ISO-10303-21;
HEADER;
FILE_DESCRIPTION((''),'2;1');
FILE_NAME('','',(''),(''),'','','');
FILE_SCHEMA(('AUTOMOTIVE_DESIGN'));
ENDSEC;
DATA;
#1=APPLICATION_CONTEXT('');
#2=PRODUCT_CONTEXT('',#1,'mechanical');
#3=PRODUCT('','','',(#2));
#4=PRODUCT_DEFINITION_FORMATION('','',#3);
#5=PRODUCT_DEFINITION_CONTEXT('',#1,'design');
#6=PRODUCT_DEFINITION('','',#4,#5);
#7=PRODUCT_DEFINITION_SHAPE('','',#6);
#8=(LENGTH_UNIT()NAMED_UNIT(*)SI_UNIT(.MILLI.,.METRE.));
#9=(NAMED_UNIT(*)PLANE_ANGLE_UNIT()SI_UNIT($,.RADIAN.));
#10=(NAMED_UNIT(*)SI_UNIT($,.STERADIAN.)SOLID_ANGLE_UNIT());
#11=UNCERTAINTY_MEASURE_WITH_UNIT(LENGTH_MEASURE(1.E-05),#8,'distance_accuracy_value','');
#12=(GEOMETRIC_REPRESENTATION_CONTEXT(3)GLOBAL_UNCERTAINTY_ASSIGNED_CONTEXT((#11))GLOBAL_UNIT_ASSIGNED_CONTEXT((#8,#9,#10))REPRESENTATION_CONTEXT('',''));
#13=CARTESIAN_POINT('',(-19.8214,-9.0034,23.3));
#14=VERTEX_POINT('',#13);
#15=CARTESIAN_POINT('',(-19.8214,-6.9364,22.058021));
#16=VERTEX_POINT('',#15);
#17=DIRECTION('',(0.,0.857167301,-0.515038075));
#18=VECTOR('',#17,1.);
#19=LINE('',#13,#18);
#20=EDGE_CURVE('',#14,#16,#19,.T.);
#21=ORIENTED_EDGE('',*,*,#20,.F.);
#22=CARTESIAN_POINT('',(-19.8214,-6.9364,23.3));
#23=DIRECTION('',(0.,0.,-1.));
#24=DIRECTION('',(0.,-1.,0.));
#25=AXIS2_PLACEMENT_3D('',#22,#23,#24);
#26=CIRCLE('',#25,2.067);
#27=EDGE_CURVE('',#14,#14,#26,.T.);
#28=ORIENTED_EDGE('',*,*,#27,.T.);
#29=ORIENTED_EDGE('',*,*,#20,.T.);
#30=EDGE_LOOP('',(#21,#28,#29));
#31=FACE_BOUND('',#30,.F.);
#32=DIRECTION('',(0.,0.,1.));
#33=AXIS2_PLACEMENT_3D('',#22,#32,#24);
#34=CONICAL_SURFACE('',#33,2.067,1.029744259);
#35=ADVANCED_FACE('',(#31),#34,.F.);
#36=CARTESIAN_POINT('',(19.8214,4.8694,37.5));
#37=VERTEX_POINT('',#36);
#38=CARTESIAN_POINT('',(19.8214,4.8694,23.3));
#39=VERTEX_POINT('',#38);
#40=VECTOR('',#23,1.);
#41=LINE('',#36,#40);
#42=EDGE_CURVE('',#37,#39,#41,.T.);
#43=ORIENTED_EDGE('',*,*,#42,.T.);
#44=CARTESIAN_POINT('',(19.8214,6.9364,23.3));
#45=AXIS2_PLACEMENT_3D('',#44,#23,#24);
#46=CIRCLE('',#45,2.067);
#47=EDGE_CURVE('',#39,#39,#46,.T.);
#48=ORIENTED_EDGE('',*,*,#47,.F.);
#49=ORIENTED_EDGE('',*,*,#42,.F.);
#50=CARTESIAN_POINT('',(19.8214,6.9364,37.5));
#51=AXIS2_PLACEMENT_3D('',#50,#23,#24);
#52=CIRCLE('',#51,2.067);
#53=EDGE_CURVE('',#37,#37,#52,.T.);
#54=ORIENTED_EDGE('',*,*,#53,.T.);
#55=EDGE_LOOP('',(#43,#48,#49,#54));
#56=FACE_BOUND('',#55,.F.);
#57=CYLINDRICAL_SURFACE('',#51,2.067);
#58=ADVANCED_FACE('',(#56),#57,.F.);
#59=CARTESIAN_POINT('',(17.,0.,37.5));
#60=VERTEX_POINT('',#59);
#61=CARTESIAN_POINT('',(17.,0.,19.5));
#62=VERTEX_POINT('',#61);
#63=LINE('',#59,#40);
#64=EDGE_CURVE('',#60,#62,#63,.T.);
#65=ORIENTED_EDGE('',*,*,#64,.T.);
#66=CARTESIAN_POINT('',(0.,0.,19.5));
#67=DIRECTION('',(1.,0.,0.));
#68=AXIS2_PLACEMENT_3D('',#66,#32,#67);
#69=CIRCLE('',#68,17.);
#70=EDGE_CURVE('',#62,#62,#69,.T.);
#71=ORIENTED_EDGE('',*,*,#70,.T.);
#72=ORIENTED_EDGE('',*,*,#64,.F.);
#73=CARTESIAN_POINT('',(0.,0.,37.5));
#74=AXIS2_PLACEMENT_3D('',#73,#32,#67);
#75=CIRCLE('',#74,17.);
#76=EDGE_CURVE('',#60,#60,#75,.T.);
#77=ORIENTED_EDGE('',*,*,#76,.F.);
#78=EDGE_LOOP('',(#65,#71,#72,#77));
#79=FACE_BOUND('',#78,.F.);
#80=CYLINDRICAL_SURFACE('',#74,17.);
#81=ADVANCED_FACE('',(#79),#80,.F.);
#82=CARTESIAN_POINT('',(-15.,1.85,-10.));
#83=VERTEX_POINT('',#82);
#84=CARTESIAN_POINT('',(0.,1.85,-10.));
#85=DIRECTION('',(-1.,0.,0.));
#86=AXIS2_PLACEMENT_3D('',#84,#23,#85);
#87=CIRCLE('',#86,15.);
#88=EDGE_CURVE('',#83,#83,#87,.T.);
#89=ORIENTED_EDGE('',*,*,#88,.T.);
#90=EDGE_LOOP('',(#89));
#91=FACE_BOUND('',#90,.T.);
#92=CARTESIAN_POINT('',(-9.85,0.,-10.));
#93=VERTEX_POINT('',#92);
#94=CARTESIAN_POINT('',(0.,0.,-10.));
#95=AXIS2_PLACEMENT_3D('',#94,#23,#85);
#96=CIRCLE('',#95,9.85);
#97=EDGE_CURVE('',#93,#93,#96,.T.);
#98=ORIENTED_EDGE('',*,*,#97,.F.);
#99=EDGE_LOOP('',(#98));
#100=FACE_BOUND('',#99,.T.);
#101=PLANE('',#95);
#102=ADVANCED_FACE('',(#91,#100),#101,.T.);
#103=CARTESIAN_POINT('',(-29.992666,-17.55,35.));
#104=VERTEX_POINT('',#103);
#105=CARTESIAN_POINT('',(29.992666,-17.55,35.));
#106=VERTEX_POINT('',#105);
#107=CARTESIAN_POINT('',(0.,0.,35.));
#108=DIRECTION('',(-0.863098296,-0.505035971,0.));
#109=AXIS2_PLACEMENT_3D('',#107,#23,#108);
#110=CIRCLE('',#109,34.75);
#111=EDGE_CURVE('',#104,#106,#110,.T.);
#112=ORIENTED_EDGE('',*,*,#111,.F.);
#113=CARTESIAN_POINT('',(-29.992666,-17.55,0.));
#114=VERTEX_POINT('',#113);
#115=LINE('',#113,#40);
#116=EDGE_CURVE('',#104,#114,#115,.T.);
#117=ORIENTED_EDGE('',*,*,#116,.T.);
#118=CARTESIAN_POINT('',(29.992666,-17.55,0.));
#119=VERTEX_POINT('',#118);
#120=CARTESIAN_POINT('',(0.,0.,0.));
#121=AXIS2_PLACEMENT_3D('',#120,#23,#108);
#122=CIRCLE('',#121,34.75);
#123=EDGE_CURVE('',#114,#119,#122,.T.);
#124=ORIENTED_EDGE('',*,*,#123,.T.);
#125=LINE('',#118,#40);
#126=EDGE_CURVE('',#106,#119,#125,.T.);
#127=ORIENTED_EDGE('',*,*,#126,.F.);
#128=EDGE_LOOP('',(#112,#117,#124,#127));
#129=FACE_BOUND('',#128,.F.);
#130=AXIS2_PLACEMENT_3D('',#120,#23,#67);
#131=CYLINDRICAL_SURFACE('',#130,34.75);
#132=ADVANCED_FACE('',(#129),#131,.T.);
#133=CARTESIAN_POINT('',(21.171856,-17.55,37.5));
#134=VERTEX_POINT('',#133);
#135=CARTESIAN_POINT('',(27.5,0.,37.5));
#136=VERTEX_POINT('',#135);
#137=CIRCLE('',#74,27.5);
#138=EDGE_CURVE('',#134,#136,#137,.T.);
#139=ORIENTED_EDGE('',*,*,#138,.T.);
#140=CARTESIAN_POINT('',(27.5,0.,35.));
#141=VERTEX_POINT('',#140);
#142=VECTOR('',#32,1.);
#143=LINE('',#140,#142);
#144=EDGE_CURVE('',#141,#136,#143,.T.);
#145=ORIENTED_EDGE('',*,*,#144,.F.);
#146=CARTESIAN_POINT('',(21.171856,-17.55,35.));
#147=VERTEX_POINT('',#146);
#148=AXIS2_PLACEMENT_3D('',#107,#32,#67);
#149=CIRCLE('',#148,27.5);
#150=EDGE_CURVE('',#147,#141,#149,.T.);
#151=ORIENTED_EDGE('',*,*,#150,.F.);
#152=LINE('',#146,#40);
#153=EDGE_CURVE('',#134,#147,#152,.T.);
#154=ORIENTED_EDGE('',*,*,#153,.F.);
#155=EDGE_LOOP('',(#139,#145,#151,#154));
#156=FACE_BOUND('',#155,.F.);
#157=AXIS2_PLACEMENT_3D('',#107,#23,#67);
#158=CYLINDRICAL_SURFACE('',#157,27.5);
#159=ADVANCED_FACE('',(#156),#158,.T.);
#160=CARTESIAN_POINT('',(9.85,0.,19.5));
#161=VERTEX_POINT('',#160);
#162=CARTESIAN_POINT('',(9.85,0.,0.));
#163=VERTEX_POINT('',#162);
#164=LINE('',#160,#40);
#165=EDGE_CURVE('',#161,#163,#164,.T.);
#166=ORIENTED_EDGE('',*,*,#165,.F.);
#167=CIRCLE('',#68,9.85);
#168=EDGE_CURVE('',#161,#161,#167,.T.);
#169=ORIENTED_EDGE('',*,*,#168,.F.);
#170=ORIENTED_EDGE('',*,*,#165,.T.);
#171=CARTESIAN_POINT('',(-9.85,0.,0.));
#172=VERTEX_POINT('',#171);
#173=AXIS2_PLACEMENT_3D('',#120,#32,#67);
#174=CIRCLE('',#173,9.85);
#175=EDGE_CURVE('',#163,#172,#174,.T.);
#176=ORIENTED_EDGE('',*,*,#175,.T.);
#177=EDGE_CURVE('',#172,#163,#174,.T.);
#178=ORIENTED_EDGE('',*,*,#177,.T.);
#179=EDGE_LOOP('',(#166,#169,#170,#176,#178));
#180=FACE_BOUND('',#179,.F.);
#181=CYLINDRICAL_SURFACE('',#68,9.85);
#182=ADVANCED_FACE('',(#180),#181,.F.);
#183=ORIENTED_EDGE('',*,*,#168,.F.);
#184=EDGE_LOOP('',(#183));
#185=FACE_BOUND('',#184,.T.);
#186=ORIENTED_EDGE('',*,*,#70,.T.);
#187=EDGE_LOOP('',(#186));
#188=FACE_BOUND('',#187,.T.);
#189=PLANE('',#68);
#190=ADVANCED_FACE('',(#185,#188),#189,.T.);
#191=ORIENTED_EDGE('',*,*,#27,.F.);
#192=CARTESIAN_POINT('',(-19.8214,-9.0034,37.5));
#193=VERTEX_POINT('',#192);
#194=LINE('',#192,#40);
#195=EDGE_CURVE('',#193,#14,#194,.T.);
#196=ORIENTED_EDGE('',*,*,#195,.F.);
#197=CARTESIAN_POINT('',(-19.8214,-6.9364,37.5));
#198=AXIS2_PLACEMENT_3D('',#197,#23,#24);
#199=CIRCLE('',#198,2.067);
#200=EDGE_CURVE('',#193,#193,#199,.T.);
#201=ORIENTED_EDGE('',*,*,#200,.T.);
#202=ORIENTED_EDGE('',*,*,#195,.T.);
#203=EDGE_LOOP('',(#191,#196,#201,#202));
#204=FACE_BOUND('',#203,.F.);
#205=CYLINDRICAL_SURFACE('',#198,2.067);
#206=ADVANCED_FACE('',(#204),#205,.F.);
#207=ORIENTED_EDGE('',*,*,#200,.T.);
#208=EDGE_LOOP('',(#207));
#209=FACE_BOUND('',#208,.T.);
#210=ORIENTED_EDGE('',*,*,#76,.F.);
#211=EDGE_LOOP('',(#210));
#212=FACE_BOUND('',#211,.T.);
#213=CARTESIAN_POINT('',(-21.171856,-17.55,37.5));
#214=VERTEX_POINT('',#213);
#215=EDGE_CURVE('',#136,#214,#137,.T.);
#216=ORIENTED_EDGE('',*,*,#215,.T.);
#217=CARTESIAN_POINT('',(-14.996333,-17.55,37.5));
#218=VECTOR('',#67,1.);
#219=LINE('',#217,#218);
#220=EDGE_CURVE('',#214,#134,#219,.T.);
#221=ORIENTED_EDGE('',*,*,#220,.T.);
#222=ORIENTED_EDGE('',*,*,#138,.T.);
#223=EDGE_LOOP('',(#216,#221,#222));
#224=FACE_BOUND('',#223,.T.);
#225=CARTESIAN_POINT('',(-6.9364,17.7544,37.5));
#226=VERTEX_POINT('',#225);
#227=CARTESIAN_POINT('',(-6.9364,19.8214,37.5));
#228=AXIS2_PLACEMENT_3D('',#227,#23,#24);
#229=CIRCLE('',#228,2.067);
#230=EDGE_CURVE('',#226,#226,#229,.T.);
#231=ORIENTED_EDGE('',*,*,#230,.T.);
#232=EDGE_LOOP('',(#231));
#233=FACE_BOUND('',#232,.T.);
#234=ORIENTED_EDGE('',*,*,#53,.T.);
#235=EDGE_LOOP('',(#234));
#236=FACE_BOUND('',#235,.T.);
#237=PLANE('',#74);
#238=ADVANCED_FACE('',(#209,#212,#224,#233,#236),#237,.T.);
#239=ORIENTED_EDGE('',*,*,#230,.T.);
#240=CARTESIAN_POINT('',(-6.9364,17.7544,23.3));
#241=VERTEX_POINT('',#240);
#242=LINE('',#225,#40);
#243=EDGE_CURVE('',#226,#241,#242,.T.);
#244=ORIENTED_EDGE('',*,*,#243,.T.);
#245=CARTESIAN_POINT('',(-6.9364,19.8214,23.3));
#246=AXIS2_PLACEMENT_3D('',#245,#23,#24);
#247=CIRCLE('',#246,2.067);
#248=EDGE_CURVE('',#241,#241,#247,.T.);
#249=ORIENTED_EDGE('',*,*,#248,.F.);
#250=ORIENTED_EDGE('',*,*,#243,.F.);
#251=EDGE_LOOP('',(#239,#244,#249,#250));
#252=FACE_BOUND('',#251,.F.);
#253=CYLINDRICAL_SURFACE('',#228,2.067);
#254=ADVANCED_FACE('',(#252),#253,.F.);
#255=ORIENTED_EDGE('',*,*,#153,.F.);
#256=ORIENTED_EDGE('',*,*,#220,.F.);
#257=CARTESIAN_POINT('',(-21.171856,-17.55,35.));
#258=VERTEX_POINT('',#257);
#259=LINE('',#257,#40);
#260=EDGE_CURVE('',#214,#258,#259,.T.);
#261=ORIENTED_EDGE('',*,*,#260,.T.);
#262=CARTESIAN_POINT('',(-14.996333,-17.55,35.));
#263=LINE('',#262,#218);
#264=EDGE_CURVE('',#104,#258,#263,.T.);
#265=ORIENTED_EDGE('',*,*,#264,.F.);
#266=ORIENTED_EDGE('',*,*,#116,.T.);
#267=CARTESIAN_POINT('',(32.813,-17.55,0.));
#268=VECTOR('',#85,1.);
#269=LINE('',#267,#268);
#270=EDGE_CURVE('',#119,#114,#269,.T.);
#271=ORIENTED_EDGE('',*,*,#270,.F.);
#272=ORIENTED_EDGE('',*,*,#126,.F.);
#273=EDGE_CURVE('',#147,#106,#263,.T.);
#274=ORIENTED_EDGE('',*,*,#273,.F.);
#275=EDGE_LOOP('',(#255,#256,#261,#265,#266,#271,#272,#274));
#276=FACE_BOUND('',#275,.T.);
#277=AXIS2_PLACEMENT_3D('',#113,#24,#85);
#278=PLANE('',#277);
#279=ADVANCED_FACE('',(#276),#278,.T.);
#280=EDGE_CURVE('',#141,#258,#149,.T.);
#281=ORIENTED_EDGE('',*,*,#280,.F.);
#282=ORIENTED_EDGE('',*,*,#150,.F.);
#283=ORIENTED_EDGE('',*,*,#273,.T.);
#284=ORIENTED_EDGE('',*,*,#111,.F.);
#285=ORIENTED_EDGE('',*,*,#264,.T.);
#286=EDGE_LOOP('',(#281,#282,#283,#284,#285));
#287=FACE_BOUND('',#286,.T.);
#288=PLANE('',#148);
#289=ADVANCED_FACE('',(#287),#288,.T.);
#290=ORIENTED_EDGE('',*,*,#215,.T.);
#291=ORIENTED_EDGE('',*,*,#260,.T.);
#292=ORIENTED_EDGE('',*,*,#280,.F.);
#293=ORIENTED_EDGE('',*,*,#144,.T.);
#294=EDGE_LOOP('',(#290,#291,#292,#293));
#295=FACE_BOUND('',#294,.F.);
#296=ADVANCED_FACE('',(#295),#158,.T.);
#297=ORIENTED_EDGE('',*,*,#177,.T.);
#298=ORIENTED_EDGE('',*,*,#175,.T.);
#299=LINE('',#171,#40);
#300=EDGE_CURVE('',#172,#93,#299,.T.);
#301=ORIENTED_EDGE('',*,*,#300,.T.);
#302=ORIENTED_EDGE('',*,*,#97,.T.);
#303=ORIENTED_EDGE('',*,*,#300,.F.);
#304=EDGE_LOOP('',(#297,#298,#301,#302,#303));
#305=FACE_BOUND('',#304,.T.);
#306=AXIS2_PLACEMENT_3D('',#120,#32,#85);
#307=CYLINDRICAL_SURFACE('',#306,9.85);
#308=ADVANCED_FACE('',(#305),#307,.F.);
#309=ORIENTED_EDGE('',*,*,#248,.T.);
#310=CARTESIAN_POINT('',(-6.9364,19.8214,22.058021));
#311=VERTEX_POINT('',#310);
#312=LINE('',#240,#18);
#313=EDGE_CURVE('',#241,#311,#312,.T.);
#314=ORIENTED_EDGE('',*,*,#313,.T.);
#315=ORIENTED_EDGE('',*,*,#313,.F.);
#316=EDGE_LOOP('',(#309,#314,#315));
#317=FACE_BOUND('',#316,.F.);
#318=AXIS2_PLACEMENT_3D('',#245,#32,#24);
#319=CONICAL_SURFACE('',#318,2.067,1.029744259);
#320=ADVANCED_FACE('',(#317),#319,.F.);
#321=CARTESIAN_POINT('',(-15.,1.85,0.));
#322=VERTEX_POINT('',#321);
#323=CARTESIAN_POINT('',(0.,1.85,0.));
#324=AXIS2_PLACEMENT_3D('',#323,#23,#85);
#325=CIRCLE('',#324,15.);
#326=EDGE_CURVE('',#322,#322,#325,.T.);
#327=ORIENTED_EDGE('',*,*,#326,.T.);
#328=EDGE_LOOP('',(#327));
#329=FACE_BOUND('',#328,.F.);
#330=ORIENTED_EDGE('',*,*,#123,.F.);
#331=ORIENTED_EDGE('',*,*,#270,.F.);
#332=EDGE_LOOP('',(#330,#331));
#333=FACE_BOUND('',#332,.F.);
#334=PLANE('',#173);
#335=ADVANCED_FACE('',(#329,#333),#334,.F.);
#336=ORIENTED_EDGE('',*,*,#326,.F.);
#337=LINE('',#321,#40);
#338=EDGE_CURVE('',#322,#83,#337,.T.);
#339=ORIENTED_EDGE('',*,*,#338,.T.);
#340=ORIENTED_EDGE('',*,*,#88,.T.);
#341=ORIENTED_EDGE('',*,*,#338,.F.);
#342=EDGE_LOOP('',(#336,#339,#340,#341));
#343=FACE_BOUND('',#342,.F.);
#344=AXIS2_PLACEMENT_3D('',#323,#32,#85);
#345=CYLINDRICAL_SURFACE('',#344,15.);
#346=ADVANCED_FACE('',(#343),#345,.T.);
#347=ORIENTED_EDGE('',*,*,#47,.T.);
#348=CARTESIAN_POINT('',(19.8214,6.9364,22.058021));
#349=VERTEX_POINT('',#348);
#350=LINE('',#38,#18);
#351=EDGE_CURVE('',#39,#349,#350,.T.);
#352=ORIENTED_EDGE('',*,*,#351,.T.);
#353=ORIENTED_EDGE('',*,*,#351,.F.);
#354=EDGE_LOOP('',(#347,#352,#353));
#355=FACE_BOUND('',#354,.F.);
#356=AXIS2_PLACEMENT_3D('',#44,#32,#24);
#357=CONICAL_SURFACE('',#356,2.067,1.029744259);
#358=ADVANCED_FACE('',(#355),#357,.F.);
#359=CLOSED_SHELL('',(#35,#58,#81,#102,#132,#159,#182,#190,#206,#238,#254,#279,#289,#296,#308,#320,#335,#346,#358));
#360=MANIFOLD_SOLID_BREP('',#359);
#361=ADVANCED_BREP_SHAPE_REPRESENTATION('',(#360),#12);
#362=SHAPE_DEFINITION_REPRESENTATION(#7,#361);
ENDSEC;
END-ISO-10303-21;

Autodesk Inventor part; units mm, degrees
ref_plane "YZ Plane" through (0, 0, 0) normal (1, 0, 0) x (0, 1, 0)
ref_plane "XZ Plane" through (0, 0, 0) normal (0, 1, 0) x (-1, 0, 0)
ref_plane "XY Plane" through (0, 0, 0) normal (0, 0, 1) x (1, 0, 0)
sketch "Sketch1" plane through (0, 0, 0) normal (0, 0, 1) x (1, 0, 0)
  circle A0 centre (0, 0) radius 34.75
  dimension "d0" = 69.5
extrude "Extrusion1" add sketch "Sketch1" along normal blind 35
sketch "Sketch2" plane through (0, 0, 35) normal (0, 0, 1) x (1, 0, 0)
  circle A0 centre (0, 0) radius 27.5
  dimension "d3" = 55
extrude "Extrusion2" add sketch "Sketch2" along normal blind 2.5
sketch "Sketch3" plane through (0, 0, 37.5) normal (0, 0, 1) x (1, 0, 0)
  circle A0 centre (0, 0) radius 17
  dimension "d6" = 34
extrude "Extrusion3" cut sketch "Sketch3" against normal blind 18
sketch "Sketch4" plane through (0, 0, 19.5) normal (0, 0, 1) x (1, 0, 0)
  circle A0 centre (0, 0) radius 9.85
  dimension "d9" = 19.7
extrude "Extrusion4" cut sketch "Sketch4" against normal through all
sketch "Sketch5" plane through (0, 0, 0) normal (0, 0, -1) x (-1, 0, 0)
  circle A0 centre (0, 1.85) radius 15
  circle A1 centre (0, 0) radius 9.85 projected
  circle A2 centre (0, 0) radius 34.75 projected
  point P0 (0, -13.15)
  point P1 (0, -9.85)
  point P2 (0, 16.85)
  point P3 (0, 34.75)
  point P4 (0, 9.85)
  dimension "d12" = 30
  dimension "d13" = 3.3
  dimension "d14" = 7
extrude "Extrusion5" add sketch "Sketch5" along normal blind 10 contours A0
sketch "Sketch6" plane through (0, 0, 0) normal (0, 0, -1) x (-1, 0, 0)
  circle A0 centre (0, 0) radius 34.75 projected
  line L0 (0, 34.75) -> (0, -17.55)
  line L1 (-32.813, -17.55) -> (43.7984, -17.55)
  line L2 (43.7984, -17.55) -> (43.7984, -45.8999)
  line L3 (43.7984, -45.8999) -> (-32.813, -45.8999)
  line L4 (-32.813, -45.8999) -> (-32.813, -17.55)
  dimension "d17" = 52.3
extrude "Extrusion6" cut sketch "Sketch6" against normal through all contours L1 L2 L3 L4 A0 | A0 L1
sketch "Sketch7" plane through (0, 0, 37.5) normal (0, 0, 1) x (1, 0, 0)
  circle A0 centre (-6.9364, 19.8214) radius 2.25 projected
  circle A1 centre (19.8214, 6.9364) radius 2.25 projected
  circle A2 centre (-19.8214, -6.9364) radius 2.25 projected
  point P0 (0, 0)
hole "Hole1" at (-6.9364, 19.8214, 37.5) at (-19.8214, -6.9364, 37.5) at (19.8214, 6.9364, 37.5) direction (0, 0, -1) diameter 4.134 depth 14.2 tip angle 118 thread size "M5x0.8" class "6H" standard "ISO Metric profile"
properties part number "Ross Made spacer"
